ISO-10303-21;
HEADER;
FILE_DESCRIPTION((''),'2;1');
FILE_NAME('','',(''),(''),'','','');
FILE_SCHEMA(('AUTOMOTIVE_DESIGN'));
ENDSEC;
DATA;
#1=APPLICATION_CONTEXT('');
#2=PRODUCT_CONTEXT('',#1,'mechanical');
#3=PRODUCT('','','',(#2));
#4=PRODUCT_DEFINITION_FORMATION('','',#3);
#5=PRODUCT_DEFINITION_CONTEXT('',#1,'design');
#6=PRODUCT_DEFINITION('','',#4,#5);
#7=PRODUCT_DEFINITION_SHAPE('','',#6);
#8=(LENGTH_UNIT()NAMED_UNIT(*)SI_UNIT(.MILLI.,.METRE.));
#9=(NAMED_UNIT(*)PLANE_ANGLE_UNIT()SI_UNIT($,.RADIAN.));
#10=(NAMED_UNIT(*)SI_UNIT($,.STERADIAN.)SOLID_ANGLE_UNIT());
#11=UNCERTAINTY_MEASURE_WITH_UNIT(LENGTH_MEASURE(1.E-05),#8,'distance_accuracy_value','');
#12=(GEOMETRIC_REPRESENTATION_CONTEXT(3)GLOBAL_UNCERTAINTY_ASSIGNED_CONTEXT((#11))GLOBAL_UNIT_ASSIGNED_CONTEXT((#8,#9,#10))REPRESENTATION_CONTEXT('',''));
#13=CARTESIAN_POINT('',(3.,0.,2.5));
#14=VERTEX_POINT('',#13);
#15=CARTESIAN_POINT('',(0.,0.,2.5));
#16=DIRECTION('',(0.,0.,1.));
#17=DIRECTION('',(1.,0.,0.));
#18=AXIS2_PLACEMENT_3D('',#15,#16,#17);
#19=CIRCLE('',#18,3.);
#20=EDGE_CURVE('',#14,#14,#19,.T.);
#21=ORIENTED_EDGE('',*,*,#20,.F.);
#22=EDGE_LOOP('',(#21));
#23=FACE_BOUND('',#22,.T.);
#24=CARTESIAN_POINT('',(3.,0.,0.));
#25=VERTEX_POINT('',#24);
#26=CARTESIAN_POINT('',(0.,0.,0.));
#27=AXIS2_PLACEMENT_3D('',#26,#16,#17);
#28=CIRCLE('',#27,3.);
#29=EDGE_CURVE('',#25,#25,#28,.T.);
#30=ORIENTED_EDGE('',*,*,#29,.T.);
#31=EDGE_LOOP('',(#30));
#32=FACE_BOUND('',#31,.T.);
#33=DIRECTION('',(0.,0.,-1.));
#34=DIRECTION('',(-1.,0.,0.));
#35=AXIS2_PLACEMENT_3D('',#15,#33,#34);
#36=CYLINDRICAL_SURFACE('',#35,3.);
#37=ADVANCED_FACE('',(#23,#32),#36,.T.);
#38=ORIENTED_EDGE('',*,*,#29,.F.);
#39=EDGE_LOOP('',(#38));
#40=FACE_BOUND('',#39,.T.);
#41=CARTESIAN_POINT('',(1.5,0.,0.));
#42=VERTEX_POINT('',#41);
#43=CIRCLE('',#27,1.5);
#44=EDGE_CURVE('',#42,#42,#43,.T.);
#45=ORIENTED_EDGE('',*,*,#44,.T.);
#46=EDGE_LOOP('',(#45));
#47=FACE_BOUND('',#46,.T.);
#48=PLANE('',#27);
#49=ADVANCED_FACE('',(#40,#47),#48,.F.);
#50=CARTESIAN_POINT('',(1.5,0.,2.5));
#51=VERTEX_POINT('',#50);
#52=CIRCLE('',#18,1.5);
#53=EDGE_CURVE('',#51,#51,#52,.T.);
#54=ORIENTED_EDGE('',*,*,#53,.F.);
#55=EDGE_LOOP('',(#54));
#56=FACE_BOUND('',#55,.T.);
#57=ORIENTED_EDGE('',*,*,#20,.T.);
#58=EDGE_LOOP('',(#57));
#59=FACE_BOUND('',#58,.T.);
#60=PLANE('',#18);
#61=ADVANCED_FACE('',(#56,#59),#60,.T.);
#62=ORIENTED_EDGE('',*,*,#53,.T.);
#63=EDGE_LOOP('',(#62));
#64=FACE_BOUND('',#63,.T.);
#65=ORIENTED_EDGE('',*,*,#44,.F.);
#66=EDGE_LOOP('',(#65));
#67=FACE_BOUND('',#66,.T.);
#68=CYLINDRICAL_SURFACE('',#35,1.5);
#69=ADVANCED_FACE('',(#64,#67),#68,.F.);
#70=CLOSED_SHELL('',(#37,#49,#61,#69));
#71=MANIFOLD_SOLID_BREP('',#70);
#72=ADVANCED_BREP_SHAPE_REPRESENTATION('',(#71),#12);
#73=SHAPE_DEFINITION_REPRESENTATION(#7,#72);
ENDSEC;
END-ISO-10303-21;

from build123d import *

# Parameters (mm, degrees)
SKETCH_1_R      = 3
SKETCH_1_R_2    = 1.5
EXTRUDE_1_DEPTH = 2.5


with BuildPart() as part:
    # 草图1 → 凸台-拉伸1 (new body)
    with BuildSketch(Plane.XY):
        Circle(SKETCH_1_R)
        Circle(SKETCH_1_R_2, mode=Mode.SUBTRACT)
    extrude(amount=EXTRUDE_1_DEPTH)


solid = part.part
